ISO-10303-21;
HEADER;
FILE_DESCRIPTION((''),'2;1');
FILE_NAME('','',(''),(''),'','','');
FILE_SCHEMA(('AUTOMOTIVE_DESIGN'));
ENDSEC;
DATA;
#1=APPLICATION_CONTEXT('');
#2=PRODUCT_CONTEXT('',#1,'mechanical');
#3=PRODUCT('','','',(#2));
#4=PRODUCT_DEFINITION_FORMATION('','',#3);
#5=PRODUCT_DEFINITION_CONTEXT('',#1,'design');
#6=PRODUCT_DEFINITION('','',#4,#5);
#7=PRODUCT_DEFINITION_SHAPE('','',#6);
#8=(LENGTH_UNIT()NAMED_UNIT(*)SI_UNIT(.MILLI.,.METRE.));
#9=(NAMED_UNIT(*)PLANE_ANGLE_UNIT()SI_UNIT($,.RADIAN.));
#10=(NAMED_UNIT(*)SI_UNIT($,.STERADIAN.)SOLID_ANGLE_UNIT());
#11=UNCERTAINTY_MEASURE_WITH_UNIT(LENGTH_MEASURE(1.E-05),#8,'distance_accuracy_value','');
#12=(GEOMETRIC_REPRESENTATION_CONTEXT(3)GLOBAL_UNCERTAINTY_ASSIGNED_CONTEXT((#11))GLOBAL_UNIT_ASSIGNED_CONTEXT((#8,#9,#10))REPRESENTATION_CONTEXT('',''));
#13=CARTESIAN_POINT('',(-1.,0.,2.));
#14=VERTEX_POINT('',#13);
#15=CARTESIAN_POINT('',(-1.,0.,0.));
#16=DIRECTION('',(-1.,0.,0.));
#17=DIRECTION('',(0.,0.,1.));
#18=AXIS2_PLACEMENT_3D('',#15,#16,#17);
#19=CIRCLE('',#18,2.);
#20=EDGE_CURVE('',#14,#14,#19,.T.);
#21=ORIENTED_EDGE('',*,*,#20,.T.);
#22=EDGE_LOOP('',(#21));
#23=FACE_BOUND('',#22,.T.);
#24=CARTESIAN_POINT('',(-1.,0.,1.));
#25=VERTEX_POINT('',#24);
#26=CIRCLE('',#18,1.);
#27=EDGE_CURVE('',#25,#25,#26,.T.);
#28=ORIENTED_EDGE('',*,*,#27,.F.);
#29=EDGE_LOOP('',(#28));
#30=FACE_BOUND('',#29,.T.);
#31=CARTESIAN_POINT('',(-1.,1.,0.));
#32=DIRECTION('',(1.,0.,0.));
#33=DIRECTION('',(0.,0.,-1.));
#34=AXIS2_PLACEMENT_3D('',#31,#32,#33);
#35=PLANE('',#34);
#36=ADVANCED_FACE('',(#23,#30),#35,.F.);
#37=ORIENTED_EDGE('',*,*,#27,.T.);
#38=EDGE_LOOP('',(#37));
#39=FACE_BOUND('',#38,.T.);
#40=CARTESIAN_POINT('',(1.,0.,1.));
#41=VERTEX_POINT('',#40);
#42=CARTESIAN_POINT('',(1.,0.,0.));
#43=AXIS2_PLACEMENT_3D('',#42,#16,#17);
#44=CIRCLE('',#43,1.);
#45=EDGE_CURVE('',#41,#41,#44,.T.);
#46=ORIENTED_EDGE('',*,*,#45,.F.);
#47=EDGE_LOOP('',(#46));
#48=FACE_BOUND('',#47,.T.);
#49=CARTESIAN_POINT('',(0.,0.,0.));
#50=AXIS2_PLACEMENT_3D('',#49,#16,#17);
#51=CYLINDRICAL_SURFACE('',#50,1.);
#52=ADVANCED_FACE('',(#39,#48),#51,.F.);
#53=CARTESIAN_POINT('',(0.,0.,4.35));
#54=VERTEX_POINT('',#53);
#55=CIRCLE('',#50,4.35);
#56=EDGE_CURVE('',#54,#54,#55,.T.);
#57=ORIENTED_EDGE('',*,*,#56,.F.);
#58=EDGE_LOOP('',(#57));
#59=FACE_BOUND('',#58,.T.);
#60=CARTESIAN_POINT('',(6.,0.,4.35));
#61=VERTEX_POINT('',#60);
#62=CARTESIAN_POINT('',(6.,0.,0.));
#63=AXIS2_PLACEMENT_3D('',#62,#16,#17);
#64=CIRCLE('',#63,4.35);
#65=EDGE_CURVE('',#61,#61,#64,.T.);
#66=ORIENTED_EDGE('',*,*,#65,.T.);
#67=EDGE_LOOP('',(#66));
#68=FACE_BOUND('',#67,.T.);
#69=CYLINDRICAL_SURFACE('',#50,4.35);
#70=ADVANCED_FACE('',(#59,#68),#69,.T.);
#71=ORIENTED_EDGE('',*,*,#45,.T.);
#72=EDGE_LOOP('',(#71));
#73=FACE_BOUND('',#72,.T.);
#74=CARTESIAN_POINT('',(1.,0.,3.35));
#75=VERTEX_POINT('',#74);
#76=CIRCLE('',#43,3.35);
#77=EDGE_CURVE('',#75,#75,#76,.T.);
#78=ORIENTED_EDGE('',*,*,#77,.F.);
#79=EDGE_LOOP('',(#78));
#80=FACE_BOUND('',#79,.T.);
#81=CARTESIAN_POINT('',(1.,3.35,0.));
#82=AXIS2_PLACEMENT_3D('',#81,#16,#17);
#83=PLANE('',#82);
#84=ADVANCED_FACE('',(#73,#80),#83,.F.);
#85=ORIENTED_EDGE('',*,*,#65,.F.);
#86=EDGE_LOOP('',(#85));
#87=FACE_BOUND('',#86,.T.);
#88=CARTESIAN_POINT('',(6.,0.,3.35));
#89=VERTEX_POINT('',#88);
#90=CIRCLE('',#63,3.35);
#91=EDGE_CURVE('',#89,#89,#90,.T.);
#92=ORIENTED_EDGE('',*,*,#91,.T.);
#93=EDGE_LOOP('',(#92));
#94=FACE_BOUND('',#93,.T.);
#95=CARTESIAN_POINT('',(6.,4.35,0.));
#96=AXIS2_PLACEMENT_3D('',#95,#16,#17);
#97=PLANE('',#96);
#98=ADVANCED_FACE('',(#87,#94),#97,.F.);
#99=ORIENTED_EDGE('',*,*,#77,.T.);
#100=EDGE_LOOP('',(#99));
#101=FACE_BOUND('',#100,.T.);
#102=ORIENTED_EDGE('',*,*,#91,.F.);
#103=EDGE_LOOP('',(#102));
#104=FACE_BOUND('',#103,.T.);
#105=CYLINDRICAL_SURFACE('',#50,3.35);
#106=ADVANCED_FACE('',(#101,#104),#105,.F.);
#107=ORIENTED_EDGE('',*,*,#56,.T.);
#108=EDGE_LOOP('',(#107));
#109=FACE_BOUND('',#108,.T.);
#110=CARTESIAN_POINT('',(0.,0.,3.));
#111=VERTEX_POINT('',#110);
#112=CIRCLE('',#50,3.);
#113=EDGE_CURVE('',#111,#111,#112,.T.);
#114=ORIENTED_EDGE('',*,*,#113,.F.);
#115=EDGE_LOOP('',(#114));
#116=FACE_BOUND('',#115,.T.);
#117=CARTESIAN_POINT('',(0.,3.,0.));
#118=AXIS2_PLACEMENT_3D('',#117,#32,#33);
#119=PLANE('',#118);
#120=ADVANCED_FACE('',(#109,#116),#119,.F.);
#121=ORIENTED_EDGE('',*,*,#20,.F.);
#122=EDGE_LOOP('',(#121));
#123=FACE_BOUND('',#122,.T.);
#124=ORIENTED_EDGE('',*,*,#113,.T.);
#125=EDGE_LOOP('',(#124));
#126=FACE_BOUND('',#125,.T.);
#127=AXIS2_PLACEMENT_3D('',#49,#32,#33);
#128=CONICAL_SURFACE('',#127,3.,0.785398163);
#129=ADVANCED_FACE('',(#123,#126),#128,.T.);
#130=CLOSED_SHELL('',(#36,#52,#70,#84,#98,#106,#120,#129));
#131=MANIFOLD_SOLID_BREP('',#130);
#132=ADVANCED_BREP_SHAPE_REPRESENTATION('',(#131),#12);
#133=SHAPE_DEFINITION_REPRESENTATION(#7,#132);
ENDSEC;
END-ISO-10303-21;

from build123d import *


with BuildPart() as part:
    # Sketch1 → Revolve1 (revolve)
    with BuildSketch(Plane.XY, mode=Mode.PRIVATE) as revolve1_sk:
        Polygon((0, 3), (0, 4.35), (6, 4.35), (6, 3.35), (1, 3.35), (1, 1), (0, 1), (-1, 1), (-1, 2), align=None)
    revolve(revolve1_sk.sketch.rotate(Axis((0, 0, 0), (1, 0, 0)), 90), axis=Axis((0, 0, 0), (1, 0, 0)))


solid = part.part
